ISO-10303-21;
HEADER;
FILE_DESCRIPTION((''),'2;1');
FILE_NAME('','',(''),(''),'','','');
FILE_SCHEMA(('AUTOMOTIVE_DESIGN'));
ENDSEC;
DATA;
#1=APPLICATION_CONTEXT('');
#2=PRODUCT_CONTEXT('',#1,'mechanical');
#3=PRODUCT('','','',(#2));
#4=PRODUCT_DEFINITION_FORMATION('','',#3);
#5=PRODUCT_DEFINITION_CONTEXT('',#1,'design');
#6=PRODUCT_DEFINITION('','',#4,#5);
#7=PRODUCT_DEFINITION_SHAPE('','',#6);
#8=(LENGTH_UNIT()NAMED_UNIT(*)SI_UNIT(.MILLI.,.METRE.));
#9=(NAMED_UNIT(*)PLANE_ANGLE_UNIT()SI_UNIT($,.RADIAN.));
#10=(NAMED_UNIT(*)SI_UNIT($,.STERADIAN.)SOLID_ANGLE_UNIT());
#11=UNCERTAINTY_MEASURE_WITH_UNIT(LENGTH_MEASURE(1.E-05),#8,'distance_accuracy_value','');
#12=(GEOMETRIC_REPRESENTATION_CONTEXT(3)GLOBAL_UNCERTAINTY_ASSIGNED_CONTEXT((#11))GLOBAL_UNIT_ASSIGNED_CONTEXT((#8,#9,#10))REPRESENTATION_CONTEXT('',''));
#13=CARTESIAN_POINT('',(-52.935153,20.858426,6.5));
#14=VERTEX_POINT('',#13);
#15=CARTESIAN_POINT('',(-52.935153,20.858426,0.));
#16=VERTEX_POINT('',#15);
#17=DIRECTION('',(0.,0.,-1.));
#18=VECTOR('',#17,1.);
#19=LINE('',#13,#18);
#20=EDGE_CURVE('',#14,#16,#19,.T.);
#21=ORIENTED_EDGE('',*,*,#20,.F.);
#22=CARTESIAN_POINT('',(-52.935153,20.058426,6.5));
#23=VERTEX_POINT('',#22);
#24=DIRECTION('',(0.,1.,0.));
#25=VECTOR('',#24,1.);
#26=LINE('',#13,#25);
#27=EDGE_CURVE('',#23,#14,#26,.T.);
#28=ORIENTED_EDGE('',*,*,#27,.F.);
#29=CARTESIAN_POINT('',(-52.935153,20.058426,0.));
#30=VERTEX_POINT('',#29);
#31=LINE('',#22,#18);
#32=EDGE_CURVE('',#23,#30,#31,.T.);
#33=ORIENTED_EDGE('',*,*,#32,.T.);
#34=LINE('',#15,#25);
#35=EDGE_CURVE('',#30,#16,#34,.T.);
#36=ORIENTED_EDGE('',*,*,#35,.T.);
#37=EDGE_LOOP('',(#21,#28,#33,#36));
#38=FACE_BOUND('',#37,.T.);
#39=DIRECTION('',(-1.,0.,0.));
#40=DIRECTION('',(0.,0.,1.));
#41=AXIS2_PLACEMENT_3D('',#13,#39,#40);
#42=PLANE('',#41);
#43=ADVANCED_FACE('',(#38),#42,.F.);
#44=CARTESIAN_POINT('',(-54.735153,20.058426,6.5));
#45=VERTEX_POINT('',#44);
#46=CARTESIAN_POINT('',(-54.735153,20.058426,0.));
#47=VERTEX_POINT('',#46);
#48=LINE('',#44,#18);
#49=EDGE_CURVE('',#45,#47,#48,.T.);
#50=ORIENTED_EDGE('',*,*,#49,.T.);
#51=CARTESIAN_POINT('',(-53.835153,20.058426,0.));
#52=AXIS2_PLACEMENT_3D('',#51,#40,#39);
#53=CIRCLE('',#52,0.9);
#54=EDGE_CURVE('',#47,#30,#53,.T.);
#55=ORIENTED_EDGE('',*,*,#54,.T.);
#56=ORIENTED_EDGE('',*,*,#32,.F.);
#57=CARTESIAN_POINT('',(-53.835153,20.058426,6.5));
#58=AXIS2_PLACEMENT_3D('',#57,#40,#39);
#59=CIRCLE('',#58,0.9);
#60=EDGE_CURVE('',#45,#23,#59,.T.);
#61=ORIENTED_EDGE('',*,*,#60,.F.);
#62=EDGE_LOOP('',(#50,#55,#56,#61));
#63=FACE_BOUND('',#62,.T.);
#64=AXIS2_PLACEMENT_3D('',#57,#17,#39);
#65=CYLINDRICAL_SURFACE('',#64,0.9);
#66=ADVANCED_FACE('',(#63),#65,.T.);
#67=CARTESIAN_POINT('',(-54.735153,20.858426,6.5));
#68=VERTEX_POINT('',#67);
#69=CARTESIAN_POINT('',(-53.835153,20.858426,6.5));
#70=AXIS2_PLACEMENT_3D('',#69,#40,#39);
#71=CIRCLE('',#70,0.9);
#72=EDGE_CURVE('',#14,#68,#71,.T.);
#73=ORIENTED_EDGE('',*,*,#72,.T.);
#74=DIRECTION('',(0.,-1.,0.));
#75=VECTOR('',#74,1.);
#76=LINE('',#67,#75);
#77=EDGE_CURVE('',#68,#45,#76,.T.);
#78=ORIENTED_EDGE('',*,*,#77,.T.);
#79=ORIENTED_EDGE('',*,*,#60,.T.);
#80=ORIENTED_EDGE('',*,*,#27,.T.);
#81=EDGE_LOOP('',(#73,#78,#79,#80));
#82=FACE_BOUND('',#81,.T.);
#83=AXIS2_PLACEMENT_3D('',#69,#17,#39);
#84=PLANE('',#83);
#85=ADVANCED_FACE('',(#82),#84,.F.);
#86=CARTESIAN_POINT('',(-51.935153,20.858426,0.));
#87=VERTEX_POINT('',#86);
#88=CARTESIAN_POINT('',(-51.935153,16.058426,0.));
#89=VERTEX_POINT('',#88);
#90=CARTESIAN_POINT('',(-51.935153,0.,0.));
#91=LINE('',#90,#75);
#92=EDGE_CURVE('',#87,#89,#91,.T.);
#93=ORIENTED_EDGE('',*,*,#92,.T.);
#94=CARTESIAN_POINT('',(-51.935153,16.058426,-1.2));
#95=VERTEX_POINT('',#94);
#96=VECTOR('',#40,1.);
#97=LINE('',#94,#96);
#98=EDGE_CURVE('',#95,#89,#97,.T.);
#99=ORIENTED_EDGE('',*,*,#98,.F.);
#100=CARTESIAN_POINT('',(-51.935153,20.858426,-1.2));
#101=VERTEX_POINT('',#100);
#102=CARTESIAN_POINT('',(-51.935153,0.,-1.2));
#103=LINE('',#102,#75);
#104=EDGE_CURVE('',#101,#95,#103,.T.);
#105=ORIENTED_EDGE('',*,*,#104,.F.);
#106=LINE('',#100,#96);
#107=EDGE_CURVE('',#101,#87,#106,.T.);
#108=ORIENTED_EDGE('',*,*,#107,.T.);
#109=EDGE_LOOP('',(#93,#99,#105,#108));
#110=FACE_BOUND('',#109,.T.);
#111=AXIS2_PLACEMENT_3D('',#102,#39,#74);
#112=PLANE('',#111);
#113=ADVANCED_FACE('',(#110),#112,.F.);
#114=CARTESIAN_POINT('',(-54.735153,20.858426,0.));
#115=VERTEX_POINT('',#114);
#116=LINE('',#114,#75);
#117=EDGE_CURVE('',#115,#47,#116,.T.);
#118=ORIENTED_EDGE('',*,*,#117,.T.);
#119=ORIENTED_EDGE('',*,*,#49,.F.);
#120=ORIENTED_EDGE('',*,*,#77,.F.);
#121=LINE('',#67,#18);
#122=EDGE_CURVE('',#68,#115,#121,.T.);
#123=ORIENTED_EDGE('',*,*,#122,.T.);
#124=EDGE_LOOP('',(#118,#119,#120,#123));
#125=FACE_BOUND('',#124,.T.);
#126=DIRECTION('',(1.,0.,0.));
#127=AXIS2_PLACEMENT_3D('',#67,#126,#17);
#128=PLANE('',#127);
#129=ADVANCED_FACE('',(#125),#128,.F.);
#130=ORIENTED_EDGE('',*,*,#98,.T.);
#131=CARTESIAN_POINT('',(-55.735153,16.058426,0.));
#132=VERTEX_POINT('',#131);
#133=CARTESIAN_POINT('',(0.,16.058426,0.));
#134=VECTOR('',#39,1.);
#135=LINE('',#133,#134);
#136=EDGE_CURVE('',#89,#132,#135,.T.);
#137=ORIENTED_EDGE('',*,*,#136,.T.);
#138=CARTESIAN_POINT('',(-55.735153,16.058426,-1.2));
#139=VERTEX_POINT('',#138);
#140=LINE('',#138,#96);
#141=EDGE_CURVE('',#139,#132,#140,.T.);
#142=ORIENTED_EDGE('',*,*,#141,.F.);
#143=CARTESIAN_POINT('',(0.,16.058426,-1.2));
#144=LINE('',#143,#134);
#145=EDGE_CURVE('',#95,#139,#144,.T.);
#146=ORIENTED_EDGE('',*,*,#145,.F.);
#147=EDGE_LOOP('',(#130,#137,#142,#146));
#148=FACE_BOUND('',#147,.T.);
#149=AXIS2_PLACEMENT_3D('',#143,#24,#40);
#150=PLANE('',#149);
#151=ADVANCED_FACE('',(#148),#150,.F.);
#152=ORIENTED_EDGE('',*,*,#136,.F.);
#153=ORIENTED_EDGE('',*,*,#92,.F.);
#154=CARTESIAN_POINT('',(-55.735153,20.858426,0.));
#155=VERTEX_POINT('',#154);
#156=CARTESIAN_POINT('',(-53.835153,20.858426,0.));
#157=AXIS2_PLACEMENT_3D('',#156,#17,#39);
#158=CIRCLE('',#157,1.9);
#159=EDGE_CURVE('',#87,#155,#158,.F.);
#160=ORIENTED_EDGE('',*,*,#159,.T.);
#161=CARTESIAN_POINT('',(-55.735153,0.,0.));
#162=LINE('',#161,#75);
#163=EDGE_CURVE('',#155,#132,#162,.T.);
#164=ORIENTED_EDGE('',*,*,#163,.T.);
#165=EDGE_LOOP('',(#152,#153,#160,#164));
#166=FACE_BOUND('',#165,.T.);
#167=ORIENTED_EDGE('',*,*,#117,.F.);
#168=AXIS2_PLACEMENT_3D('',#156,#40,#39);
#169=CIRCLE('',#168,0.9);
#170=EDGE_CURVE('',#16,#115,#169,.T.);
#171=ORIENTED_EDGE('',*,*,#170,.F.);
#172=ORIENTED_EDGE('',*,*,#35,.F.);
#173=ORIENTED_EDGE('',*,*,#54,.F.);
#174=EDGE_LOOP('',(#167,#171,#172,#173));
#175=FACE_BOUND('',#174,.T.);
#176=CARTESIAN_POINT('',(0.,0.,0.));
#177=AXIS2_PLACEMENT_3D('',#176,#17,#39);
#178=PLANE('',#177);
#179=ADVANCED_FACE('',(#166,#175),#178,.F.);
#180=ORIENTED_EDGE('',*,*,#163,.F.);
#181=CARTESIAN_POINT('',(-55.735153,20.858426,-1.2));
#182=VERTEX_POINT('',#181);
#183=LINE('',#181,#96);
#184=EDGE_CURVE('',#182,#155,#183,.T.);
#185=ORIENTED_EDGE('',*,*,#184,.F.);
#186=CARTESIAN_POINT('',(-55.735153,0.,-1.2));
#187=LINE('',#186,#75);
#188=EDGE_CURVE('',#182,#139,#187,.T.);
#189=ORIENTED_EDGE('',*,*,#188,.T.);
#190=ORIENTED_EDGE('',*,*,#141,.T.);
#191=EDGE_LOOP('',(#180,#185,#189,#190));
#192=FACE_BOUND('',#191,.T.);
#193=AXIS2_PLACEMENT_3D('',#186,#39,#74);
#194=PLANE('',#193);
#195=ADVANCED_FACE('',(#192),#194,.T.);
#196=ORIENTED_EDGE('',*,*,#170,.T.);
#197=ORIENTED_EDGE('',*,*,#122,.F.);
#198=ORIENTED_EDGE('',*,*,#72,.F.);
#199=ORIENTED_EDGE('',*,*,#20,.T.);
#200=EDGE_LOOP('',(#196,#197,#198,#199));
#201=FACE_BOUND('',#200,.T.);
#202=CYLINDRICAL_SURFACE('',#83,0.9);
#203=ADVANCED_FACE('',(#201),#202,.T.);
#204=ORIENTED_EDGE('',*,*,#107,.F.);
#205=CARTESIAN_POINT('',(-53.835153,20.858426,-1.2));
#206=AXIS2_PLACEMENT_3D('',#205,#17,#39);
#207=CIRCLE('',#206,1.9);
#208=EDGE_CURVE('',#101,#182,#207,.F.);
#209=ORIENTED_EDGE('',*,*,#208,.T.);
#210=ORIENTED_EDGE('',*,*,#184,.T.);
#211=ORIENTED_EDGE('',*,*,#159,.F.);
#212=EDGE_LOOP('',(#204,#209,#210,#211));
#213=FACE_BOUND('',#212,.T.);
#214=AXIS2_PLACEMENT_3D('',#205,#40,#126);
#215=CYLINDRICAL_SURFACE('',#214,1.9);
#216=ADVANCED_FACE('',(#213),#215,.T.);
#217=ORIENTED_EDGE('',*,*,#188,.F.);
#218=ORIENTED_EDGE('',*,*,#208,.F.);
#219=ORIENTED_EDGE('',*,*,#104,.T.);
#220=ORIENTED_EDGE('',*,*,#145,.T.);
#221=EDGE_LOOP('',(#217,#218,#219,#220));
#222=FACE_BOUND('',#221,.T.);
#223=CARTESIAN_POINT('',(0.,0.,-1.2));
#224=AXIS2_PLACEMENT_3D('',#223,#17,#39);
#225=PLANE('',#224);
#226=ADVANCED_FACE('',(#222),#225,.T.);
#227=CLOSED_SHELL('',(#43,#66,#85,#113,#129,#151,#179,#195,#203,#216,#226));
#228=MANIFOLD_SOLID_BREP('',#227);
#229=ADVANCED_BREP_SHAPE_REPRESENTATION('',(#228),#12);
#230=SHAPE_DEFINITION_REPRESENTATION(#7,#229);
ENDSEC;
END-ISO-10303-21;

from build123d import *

# Parameters (mm, degrees)
BOSS_EXTRUDE1_DEPTH = 6.5
BOSS_EXTRUDE2_DEPTH = 1.2


with BuildPart() as part:
    # Sketch1 → Boss-Extrude1 (new body)
    with BuildSketch(Plane.XY):
        with BuildLine():
            Line((-54.735153148, 20.85842627), (-54.735153148, 20.05842627))
            ThreePointArc((-54.735153148, 20.05842627), (-53.835153148, 19.15842627), (-52.935153148, 20.05842627))
            Line((-52.935153148, 20.05842627), (-52.935153148, 20.85842627))
            ThreePointArc((-52.935153148, 20.85842627), (-53.835153148, 21.75842627), (-54.735153148, 20.85842627))
        make_face()
    extrude(amount=BOSS_EXTRUDE1_DEPTH)

    # Sketch3 → Boss-Extrude2 (add)
    with BuildSketch(Plane(origin=(0, 0, 0), x_dir=(-1, 0, 0), z_dir=(0, 0, -1))):
        with BuildLine():
            Line((51.935153148, 20.85842627), (51.935153148, 16.05842627))
            Line((51.935153148, 16.05842627), (55.735153148, 16.05842627))
            Line((55.735153148, 16.05842627), (55.735153148, 20.85842627))
            ThreePointArc((55.735153148, 20.85842627), (53.835153148, 22.75842627), (51.935153148, 20.85842627))
        make_face()
    extrude(amount=BOSS_EXTRUDE2_DEPTH)


solid = part.part
